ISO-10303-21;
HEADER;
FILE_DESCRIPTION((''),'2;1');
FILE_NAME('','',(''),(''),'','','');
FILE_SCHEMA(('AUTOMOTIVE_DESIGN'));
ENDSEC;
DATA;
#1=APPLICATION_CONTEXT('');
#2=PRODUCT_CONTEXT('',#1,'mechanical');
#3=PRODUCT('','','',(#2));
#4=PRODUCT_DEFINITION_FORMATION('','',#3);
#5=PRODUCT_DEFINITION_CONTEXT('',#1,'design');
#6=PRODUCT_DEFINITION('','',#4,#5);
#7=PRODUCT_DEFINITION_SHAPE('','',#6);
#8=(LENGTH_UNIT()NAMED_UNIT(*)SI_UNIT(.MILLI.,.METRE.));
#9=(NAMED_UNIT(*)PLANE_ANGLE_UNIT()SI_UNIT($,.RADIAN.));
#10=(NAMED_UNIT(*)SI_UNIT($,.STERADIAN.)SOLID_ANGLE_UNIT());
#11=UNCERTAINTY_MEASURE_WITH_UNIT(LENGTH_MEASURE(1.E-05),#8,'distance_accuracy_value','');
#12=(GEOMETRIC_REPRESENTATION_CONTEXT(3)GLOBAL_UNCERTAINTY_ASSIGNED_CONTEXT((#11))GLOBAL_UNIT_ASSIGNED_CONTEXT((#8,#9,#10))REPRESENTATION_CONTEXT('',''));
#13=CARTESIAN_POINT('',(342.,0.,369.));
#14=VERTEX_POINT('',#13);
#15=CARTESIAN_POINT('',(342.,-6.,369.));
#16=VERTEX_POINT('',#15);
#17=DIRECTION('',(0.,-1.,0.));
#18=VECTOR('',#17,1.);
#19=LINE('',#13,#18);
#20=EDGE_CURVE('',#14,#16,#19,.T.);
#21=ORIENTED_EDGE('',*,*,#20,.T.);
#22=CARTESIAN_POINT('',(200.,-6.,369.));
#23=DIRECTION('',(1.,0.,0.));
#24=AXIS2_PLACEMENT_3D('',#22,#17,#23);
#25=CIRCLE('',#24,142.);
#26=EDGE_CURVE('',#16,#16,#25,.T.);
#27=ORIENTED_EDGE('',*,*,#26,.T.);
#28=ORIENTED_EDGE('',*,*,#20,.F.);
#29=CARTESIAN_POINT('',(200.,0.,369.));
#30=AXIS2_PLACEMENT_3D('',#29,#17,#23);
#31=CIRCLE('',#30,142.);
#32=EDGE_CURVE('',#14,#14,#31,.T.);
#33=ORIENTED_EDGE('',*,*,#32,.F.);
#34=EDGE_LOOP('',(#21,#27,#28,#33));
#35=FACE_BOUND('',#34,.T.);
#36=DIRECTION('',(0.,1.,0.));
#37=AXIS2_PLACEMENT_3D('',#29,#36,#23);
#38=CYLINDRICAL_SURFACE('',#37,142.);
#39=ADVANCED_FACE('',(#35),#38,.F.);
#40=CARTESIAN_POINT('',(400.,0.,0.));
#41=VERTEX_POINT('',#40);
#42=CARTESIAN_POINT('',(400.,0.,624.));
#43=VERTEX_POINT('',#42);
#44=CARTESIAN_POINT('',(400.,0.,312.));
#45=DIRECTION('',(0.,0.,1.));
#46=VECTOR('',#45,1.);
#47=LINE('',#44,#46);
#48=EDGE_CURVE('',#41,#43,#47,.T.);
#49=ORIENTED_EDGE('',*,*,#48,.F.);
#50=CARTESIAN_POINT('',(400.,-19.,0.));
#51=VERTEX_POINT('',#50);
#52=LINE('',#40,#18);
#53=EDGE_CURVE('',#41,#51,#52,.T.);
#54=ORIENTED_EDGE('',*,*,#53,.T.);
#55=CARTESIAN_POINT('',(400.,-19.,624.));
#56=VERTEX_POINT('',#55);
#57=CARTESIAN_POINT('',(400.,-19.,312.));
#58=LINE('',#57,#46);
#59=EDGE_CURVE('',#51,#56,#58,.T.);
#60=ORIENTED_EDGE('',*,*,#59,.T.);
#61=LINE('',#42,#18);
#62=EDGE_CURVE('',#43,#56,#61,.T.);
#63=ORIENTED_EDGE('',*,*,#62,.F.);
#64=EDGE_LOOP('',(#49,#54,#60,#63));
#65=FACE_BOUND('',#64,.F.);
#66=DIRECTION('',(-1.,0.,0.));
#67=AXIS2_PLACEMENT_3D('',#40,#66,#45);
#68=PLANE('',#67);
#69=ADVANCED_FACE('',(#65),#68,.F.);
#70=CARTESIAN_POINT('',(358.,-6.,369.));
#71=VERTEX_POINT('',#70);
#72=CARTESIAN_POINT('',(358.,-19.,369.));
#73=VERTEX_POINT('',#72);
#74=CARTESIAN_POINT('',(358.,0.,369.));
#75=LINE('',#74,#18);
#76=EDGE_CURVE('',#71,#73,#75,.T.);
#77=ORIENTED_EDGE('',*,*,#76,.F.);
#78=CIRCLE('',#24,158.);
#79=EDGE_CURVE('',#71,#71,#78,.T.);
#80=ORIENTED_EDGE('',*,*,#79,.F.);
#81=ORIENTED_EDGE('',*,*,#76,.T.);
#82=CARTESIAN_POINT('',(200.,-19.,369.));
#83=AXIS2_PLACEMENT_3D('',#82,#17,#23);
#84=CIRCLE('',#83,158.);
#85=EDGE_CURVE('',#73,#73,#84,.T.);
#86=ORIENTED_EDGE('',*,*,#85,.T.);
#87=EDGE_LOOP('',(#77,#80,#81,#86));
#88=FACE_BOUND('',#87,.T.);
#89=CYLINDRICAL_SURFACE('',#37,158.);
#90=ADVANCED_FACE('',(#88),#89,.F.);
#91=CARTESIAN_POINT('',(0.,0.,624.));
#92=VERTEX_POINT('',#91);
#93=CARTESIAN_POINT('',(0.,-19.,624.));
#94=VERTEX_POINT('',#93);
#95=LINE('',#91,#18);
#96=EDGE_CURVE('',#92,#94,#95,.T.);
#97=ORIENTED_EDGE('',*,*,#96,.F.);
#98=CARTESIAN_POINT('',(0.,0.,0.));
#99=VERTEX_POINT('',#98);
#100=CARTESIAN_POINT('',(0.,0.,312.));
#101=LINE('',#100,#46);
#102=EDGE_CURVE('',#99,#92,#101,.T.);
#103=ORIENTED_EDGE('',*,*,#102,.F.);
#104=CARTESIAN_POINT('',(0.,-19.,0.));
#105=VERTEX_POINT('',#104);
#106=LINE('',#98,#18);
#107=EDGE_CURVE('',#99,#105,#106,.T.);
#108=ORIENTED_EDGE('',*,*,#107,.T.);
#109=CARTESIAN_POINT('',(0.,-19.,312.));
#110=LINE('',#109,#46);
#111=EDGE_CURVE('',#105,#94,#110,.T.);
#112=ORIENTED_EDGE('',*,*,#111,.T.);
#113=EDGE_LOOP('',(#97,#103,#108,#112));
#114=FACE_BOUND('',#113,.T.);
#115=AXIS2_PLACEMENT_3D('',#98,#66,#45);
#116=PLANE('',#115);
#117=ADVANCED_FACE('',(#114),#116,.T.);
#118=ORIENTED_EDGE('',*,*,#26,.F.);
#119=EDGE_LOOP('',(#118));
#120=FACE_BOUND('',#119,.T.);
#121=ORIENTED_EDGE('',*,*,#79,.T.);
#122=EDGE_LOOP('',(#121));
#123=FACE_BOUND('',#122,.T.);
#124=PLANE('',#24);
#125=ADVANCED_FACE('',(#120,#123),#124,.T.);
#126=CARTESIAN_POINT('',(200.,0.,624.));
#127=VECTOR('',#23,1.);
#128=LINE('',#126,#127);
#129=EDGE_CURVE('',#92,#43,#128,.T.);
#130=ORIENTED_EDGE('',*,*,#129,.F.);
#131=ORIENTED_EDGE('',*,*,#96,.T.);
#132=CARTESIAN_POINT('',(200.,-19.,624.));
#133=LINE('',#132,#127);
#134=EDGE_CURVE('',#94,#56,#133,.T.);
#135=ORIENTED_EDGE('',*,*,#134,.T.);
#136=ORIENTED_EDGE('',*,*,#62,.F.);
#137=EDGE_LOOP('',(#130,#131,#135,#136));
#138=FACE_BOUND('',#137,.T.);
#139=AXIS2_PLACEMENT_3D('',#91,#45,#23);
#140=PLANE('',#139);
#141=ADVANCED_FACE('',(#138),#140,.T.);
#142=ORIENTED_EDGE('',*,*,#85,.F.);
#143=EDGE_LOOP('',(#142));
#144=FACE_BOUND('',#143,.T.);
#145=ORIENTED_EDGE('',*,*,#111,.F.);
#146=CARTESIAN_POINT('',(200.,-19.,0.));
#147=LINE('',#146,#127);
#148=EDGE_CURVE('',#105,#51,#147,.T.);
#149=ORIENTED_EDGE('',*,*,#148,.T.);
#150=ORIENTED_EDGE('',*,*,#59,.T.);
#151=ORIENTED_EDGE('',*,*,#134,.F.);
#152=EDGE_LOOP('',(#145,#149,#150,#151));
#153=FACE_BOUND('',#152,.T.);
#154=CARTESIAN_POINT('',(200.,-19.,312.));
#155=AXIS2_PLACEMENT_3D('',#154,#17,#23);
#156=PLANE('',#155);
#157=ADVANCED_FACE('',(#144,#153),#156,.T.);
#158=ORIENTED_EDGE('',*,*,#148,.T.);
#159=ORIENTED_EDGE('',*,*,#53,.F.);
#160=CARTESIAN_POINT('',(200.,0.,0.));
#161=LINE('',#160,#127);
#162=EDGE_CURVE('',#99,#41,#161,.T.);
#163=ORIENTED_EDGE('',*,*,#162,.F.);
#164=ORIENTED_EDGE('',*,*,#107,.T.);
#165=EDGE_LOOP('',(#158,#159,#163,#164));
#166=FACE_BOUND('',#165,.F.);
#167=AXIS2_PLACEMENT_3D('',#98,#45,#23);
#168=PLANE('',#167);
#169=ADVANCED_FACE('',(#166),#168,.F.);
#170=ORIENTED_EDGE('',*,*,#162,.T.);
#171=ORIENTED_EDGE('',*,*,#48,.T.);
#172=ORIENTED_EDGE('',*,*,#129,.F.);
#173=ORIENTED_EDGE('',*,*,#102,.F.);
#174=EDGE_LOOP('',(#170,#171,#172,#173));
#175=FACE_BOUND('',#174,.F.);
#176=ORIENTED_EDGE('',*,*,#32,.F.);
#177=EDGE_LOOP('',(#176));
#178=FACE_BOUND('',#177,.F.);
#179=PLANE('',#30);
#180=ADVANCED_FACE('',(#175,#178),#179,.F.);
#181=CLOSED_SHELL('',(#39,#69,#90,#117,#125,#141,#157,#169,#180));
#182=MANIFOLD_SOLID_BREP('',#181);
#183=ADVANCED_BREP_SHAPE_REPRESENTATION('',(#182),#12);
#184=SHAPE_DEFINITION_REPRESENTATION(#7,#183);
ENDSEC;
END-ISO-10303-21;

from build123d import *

# Parameters (mm, degrees)
F0_W     = 400
F0_H     = 624
F0_R     = 158
F1_DEPTH = 19
F0_R_2   = 142
F2_DEPTH = 6


with BuildPart() as f1:
    # F0 (on Front) → F1 (new body)
    with BuildSketch(Plane.XZ):
        with Locations((200, 312)):
            Rectangle(F0_W, F0_H)
        with Locations((200, 369)):
            Circle(F0_R, mode=Mode.SUBTRACT)
    extrude(amount=F1_DEPTH)

    # F0 (on Front) → F2 (join)
    with BuildSketch(Plane.XZ):
        with Locations((200, 369)):
            Circle(F0_R)
        with Locations((200, 369)):
            Circle(F0_R_2, mode=Mode.SUBTRACT)
    extrude(amount=F2_DEPTH)


solid = f1.part
